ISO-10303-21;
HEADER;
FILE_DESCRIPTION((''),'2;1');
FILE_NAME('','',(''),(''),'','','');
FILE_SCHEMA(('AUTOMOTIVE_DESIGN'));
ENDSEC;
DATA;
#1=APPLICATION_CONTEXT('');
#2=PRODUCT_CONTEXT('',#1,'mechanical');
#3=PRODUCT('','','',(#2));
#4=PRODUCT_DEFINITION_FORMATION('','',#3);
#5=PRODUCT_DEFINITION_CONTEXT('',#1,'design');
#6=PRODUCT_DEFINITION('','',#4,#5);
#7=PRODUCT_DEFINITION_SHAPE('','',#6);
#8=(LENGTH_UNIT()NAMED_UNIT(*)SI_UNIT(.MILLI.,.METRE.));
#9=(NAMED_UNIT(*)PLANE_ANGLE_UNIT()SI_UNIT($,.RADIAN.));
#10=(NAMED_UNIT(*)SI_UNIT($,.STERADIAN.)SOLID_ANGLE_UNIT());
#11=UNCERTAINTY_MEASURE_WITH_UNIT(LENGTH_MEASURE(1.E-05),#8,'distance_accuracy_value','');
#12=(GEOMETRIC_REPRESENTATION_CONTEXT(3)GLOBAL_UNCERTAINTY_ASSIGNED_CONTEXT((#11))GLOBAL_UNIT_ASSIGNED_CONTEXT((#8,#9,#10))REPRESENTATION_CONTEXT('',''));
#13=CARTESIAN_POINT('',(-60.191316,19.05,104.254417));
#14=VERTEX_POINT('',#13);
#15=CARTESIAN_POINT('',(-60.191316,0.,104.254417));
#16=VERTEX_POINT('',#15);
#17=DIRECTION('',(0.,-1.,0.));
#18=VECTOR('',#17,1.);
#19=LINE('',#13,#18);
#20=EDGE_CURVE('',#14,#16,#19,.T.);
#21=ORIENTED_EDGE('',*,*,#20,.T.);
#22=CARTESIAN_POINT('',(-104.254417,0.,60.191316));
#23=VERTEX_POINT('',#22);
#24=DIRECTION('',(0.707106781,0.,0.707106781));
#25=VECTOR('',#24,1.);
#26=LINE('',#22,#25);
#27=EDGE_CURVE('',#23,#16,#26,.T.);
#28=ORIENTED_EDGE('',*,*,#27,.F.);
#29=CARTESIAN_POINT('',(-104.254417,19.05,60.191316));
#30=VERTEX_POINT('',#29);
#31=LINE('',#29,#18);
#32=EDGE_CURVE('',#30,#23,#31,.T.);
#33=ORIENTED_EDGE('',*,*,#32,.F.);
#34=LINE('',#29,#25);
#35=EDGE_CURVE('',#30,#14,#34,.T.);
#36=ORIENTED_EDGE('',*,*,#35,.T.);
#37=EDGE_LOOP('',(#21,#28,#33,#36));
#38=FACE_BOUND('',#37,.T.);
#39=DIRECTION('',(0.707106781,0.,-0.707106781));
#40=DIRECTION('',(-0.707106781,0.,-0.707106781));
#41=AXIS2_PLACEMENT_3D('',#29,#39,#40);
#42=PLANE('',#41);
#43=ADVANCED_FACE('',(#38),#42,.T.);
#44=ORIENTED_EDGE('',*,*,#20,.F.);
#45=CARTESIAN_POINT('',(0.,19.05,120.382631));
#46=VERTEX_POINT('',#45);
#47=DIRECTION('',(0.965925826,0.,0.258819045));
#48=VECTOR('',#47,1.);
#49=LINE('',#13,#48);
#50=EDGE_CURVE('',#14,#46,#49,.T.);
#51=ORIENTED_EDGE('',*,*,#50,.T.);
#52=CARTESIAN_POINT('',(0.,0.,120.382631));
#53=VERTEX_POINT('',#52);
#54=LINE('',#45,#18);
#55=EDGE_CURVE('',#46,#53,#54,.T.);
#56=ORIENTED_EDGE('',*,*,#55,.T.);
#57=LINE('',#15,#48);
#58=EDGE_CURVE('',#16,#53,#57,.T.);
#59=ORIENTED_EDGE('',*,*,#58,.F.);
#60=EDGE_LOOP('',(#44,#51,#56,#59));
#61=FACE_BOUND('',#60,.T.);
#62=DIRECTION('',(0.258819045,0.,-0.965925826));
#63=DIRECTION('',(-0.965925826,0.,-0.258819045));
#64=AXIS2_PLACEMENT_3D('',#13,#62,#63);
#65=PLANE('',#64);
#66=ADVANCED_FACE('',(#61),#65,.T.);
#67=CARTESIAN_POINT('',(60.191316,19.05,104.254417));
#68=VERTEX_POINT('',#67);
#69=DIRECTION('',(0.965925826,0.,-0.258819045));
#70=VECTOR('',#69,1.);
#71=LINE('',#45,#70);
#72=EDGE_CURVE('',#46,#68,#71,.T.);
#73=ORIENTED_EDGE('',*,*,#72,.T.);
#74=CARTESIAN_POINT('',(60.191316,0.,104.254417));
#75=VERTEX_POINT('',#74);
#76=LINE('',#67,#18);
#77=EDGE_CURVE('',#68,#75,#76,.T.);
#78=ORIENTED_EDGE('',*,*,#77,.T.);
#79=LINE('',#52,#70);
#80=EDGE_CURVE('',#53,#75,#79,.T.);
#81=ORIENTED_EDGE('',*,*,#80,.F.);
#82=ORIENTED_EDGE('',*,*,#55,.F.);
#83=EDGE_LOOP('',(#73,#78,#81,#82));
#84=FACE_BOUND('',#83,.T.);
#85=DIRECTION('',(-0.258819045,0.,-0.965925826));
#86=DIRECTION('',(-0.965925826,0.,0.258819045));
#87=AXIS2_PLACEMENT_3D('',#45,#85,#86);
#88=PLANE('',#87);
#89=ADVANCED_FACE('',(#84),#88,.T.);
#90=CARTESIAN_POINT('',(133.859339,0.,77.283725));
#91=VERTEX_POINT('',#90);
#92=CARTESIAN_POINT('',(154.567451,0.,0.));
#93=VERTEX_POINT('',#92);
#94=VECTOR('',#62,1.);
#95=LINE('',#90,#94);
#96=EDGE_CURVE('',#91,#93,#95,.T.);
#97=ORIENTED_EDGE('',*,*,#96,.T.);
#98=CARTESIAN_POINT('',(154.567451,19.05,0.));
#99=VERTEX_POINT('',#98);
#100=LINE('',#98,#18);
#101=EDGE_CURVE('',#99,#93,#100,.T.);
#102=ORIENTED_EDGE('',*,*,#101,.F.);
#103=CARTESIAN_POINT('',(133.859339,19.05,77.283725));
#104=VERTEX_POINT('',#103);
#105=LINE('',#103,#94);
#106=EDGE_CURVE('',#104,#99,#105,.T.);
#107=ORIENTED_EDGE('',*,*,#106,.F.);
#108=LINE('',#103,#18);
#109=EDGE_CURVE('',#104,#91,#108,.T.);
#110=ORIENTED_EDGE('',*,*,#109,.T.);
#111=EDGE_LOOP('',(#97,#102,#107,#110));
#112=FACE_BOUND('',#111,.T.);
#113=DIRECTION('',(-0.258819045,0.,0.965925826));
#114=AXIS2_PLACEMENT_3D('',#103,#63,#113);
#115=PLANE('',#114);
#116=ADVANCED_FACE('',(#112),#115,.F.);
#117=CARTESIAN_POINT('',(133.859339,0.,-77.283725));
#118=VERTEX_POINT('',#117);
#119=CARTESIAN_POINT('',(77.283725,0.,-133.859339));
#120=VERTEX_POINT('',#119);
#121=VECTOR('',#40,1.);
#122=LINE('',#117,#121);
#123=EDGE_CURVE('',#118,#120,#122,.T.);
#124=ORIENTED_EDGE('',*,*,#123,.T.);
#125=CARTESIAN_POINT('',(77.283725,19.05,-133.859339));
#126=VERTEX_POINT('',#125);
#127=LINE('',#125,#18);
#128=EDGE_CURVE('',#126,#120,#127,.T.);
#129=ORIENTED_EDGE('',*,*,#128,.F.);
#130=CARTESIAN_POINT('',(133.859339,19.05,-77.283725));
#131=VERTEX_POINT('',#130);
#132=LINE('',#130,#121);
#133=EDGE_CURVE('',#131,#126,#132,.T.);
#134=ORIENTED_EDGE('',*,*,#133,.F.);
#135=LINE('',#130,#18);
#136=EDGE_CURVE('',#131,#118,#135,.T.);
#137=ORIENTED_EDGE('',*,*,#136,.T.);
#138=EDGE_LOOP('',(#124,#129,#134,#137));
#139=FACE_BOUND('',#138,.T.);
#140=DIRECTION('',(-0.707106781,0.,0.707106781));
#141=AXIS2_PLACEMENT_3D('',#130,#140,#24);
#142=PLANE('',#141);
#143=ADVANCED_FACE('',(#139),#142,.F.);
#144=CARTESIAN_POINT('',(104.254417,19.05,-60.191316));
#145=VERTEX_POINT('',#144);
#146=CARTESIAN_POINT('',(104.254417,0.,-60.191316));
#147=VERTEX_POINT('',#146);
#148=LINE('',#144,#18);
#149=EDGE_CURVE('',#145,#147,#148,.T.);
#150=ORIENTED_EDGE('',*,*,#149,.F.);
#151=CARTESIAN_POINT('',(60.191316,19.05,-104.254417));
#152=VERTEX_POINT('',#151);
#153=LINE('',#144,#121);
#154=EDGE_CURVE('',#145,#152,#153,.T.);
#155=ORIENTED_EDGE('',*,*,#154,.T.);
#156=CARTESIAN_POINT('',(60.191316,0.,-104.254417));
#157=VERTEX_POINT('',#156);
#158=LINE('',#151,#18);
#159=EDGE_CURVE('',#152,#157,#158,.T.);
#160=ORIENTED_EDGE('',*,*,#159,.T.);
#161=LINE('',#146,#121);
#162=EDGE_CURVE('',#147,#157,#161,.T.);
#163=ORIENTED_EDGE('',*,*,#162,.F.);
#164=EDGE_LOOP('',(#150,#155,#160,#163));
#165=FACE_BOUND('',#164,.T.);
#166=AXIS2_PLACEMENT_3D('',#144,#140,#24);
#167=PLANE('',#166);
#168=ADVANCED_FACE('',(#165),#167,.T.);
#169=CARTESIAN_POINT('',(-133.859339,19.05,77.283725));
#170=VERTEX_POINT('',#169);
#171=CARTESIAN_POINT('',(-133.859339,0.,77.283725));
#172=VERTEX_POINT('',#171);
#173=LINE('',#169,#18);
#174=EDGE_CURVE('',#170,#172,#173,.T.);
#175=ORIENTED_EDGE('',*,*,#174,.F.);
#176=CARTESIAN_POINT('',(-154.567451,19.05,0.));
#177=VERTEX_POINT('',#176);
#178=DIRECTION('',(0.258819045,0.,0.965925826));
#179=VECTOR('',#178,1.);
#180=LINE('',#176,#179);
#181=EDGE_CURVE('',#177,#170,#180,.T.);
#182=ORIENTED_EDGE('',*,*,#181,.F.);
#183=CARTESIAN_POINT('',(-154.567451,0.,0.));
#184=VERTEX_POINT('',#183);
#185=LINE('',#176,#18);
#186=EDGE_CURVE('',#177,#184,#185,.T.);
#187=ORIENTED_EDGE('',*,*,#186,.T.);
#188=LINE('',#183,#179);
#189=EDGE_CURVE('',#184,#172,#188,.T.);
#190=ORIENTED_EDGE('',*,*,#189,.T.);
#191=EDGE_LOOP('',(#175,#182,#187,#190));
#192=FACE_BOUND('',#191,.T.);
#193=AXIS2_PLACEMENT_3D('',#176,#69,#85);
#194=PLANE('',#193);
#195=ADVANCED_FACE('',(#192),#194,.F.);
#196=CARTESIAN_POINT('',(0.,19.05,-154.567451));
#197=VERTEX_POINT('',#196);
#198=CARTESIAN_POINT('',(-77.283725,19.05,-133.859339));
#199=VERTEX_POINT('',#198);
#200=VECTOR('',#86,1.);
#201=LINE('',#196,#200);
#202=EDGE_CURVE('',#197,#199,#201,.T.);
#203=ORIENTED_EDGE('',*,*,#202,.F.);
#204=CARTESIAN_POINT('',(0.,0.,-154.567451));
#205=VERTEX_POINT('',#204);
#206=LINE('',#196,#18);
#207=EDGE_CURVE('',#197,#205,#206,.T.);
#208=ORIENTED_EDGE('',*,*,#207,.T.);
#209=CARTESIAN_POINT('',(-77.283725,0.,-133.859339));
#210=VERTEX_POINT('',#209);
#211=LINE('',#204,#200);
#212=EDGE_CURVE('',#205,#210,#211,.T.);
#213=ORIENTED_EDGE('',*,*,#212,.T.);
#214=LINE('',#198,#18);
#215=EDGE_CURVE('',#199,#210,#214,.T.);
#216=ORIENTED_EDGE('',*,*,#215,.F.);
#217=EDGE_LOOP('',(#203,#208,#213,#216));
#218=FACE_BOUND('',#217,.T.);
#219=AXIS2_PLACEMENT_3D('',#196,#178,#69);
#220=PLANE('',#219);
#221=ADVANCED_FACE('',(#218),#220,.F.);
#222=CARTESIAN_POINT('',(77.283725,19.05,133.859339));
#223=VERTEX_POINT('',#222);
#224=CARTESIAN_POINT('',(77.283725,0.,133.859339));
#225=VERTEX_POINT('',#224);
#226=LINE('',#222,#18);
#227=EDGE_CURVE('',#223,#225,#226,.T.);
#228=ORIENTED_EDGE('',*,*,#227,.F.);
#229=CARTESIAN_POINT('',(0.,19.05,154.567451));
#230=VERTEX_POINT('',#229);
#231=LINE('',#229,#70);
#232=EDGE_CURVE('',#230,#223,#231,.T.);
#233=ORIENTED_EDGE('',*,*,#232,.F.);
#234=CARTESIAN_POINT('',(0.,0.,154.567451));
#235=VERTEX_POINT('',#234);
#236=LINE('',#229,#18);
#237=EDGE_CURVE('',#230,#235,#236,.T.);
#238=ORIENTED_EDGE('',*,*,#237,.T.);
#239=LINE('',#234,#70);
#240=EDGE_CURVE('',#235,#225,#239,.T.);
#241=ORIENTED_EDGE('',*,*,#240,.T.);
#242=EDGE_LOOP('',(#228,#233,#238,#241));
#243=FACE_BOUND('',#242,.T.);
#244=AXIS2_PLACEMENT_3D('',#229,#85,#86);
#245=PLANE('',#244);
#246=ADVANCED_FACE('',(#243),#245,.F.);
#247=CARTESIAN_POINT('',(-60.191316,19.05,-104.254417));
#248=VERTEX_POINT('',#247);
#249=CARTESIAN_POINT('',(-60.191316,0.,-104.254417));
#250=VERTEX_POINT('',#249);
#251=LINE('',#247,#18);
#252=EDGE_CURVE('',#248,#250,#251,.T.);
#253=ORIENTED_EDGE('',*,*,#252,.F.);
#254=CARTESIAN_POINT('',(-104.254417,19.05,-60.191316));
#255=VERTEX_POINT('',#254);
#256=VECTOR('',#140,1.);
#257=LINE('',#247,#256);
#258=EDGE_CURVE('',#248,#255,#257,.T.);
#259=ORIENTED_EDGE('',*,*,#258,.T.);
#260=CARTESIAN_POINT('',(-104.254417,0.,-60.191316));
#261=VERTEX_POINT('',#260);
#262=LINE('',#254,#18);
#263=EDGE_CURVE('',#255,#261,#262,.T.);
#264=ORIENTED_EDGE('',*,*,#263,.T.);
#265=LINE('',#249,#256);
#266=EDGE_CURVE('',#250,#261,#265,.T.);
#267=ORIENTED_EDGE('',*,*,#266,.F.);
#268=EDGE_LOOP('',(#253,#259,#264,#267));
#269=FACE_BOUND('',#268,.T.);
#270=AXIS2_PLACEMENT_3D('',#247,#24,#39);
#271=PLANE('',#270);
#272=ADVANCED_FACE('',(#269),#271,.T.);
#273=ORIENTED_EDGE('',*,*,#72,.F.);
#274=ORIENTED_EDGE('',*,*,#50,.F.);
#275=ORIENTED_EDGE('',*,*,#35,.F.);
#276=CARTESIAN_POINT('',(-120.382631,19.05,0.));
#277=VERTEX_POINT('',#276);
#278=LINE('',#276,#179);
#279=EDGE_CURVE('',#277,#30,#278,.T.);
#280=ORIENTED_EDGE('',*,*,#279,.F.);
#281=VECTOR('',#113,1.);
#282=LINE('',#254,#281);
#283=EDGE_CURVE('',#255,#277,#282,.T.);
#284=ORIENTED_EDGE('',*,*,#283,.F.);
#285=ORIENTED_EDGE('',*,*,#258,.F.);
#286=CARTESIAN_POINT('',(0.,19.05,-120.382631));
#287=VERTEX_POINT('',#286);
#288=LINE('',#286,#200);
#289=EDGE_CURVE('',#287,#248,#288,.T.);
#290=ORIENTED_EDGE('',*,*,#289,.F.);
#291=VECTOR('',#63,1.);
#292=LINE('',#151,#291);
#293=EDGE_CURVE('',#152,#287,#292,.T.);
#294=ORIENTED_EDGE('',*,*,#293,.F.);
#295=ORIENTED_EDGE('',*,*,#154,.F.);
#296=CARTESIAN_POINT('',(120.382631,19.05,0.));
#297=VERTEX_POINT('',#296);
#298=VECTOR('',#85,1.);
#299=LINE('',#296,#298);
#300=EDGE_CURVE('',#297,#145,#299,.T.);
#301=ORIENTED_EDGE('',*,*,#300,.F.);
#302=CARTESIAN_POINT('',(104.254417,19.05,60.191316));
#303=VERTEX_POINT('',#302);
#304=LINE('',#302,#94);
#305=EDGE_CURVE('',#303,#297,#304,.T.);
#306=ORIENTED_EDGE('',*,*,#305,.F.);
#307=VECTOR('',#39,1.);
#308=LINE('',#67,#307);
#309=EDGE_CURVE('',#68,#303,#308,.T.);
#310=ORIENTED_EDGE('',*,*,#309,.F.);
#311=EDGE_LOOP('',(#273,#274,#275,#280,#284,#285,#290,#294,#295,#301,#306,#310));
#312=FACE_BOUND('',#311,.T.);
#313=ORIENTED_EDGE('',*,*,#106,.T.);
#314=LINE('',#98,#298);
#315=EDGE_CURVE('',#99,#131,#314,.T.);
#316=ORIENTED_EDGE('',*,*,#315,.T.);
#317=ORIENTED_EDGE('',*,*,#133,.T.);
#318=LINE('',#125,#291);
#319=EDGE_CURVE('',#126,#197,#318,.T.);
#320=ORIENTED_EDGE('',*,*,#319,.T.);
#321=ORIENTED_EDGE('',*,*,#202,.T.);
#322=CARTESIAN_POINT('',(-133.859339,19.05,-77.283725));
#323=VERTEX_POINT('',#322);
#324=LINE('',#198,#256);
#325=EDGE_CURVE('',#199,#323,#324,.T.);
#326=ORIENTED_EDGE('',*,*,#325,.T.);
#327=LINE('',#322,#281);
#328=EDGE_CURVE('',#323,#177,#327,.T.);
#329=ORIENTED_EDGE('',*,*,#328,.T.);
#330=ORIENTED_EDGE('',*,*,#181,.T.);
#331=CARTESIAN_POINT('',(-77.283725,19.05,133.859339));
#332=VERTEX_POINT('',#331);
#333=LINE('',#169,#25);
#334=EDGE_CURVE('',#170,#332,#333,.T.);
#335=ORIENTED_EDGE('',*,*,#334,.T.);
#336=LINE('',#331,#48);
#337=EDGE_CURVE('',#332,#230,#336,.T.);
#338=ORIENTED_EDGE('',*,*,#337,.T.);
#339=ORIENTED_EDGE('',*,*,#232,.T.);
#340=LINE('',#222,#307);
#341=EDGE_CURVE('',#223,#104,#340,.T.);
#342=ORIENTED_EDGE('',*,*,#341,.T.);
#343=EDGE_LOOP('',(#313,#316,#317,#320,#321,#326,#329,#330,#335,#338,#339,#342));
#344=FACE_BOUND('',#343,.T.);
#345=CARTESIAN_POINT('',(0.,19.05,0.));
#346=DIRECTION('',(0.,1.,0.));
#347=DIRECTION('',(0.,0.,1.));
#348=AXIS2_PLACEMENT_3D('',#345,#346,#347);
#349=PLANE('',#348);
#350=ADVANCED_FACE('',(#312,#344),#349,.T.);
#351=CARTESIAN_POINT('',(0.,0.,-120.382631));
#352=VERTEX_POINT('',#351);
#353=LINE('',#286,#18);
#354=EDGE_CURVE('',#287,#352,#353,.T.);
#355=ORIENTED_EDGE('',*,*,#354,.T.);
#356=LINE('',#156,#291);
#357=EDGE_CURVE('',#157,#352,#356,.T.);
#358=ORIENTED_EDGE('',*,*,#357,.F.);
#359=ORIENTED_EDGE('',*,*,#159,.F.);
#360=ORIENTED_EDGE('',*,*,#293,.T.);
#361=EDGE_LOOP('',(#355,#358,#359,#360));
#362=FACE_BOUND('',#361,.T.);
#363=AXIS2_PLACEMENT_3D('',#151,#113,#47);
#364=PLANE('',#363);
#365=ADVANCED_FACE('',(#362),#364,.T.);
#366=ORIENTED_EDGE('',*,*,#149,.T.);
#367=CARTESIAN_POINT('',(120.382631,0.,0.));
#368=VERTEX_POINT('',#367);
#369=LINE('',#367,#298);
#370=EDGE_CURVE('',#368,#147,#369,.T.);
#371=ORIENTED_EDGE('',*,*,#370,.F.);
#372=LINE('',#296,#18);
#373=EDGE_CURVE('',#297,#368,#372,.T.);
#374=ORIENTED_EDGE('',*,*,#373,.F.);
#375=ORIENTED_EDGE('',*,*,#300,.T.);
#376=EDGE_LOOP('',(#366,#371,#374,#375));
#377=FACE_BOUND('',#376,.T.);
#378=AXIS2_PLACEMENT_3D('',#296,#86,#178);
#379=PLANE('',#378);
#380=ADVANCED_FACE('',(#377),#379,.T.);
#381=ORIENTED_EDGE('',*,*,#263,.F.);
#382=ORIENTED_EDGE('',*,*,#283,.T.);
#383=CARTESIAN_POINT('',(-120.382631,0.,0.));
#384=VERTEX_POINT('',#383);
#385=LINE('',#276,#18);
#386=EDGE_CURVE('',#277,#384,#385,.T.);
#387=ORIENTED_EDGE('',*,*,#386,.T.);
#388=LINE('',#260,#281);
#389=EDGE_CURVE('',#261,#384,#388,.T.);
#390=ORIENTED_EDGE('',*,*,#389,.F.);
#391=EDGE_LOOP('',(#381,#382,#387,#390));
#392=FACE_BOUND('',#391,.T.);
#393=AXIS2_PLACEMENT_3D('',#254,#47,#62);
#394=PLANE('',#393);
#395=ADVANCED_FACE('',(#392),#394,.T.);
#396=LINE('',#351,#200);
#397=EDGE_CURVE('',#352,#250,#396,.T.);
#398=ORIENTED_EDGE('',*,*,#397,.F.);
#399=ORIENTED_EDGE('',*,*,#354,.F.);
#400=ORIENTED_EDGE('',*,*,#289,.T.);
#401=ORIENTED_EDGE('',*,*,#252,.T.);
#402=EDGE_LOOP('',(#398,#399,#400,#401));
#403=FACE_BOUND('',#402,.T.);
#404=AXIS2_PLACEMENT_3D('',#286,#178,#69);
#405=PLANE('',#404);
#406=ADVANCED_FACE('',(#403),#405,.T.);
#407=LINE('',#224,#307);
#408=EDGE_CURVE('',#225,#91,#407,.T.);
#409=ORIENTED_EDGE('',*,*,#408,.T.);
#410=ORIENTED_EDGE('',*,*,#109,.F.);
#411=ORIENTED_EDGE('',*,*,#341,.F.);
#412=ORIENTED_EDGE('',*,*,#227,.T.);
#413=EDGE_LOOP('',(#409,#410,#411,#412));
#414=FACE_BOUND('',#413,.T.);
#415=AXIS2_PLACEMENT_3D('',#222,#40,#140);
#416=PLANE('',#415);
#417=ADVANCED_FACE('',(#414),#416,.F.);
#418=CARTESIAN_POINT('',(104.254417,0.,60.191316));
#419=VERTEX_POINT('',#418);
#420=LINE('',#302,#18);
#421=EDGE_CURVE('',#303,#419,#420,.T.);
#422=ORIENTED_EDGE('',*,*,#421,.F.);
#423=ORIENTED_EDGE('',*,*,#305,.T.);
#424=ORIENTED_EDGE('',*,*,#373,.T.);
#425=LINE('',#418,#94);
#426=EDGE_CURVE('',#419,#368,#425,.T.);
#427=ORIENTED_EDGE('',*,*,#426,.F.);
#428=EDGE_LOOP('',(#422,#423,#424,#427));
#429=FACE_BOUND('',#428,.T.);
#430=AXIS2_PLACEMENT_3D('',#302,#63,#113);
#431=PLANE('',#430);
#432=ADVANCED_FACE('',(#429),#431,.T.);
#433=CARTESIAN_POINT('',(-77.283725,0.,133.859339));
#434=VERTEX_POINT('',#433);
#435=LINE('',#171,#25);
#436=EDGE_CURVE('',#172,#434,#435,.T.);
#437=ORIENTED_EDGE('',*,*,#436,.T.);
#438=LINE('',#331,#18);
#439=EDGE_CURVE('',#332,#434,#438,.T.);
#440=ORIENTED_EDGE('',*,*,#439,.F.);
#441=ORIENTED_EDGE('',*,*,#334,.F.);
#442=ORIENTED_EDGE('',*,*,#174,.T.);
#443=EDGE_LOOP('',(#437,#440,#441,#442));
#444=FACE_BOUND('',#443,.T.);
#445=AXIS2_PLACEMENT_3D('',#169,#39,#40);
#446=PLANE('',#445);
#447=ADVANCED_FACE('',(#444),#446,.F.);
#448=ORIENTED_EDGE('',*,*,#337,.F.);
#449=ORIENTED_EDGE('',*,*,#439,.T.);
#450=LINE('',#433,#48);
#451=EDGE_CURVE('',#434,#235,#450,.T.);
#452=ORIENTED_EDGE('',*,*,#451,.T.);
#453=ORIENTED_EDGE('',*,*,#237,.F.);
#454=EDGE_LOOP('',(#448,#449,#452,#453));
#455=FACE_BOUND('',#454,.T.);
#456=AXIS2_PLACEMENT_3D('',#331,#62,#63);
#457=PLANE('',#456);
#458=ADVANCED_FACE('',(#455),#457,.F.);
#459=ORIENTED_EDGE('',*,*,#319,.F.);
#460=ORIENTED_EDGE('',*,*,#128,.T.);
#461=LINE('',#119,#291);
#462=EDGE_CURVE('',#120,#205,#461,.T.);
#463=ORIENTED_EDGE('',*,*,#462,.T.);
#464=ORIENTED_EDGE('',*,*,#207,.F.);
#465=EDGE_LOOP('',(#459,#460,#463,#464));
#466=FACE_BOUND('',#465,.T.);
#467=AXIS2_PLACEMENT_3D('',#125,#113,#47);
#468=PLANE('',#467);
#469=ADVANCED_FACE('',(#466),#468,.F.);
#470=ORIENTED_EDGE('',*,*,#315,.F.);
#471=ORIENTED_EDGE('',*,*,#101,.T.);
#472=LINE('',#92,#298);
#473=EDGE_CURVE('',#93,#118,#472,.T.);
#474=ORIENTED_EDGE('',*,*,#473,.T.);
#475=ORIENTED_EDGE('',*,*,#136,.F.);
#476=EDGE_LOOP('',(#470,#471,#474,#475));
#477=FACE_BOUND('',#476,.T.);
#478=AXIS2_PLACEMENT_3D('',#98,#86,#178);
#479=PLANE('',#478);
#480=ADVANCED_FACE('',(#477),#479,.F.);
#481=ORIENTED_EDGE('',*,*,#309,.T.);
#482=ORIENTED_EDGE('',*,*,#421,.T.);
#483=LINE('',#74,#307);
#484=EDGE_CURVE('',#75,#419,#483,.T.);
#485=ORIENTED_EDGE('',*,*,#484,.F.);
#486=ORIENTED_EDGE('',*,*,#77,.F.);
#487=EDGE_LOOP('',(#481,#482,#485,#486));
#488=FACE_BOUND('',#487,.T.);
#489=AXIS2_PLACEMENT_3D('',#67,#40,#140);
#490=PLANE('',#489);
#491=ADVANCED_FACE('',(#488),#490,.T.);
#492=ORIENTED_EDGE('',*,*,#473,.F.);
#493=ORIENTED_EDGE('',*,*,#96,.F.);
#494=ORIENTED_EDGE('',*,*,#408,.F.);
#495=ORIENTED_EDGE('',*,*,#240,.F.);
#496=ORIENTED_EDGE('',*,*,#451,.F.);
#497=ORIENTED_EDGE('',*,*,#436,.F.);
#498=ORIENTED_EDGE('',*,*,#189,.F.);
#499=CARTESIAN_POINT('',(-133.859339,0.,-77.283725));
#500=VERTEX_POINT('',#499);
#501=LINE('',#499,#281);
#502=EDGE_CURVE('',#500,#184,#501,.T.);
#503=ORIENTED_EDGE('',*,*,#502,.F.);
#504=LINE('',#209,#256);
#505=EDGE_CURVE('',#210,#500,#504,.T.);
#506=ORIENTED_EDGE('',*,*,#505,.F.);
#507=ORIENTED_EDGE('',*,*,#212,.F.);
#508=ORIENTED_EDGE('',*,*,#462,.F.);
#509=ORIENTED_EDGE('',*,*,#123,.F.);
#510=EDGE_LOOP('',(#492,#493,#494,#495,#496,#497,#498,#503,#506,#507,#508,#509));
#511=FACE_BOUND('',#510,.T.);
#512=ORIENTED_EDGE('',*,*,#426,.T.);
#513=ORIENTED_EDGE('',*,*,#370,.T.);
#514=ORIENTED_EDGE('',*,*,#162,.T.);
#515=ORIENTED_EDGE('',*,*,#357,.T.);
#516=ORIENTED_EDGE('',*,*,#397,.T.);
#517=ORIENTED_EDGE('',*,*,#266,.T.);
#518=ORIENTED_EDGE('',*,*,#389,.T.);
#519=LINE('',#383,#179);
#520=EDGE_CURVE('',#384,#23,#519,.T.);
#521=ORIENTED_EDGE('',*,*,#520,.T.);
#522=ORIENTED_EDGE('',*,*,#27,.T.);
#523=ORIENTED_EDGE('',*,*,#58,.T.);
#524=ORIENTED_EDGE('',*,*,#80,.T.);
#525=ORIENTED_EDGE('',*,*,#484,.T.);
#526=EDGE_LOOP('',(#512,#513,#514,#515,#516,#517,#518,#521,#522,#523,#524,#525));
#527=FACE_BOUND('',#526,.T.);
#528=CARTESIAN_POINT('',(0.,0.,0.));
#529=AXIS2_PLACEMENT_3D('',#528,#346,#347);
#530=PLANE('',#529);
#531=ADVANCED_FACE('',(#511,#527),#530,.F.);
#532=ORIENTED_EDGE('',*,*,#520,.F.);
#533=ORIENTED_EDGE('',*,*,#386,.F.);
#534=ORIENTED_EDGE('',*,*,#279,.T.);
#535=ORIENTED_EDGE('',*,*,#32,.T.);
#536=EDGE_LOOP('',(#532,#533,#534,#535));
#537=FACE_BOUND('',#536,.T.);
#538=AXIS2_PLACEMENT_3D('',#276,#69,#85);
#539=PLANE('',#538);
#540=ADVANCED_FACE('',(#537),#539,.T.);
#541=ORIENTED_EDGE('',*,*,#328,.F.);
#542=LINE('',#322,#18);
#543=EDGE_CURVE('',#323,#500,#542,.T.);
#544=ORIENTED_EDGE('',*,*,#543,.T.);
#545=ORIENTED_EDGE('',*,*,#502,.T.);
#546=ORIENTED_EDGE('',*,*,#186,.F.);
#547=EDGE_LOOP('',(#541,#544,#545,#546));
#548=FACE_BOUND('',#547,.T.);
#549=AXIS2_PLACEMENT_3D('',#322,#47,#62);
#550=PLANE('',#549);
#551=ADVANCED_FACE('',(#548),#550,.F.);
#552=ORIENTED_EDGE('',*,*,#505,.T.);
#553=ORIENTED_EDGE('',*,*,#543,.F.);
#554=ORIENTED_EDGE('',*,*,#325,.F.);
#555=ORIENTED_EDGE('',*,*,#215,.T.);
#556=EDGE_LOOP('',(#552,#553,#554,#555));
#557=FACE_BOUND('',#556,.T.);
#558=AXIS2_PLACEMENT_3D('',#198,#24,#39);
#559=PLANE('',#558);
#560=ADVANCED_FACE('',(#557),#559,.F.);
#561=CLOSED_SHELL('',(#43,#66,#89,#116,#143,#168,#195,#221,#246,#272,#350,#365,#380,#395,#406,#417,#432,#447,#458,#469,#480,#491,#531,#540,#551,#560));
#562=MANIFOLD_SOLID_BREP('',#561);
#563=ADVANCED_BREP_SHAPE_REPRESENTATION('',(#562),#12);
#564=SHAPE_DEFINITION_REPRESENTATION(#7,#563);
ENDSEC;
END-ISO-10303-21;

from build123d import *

# Parameters (mm, degrees)
BOSS_EXTRUDE2_DEPTH = 19.05


with BuildPart() as part:
    # Sketch2 → Boss-Extrude2 (new body)
    with BuildSketch(Plane(origin=(0, 0, 0), x_dir=(1, 0, 0), z_dir=(0, 1, 0))):
        Polygon((-154.567450723, 0), (-133.859338924, -77.283725361), (-77.283725361, -133.859338924), (0, -154.567450723), (77.283725361, -133.859338924), (133.859338924, -77.283725361), (154.567450723, 0), (133.859338924, 77.283725361), (77.283725361, 133.859338924), (0, 154.567450723), (-77.283725361, 133.859338924), (-133.859338924, 77.283725361), align=None)
        Polygon((-120.382631246, 0), (-104.254416833, -60.191315623), (-60.191315623, -104.254416833), (0, -120.382631246), (60.191315623, -104.254416833), (104.254416833, -60.191315623), (120.382631246, 0), (104.254416833, 60.191315623), (60.191315623, 104.254416833), (0, 120.382631246), (-60.191315623, 104.254416833), (-104.254416833, 60.191315623), align=None, mode=Mode.SUBTRACT)
    extrude(amount=BOSS_EXTRUDE2_DEPTH)


solid = part.part
